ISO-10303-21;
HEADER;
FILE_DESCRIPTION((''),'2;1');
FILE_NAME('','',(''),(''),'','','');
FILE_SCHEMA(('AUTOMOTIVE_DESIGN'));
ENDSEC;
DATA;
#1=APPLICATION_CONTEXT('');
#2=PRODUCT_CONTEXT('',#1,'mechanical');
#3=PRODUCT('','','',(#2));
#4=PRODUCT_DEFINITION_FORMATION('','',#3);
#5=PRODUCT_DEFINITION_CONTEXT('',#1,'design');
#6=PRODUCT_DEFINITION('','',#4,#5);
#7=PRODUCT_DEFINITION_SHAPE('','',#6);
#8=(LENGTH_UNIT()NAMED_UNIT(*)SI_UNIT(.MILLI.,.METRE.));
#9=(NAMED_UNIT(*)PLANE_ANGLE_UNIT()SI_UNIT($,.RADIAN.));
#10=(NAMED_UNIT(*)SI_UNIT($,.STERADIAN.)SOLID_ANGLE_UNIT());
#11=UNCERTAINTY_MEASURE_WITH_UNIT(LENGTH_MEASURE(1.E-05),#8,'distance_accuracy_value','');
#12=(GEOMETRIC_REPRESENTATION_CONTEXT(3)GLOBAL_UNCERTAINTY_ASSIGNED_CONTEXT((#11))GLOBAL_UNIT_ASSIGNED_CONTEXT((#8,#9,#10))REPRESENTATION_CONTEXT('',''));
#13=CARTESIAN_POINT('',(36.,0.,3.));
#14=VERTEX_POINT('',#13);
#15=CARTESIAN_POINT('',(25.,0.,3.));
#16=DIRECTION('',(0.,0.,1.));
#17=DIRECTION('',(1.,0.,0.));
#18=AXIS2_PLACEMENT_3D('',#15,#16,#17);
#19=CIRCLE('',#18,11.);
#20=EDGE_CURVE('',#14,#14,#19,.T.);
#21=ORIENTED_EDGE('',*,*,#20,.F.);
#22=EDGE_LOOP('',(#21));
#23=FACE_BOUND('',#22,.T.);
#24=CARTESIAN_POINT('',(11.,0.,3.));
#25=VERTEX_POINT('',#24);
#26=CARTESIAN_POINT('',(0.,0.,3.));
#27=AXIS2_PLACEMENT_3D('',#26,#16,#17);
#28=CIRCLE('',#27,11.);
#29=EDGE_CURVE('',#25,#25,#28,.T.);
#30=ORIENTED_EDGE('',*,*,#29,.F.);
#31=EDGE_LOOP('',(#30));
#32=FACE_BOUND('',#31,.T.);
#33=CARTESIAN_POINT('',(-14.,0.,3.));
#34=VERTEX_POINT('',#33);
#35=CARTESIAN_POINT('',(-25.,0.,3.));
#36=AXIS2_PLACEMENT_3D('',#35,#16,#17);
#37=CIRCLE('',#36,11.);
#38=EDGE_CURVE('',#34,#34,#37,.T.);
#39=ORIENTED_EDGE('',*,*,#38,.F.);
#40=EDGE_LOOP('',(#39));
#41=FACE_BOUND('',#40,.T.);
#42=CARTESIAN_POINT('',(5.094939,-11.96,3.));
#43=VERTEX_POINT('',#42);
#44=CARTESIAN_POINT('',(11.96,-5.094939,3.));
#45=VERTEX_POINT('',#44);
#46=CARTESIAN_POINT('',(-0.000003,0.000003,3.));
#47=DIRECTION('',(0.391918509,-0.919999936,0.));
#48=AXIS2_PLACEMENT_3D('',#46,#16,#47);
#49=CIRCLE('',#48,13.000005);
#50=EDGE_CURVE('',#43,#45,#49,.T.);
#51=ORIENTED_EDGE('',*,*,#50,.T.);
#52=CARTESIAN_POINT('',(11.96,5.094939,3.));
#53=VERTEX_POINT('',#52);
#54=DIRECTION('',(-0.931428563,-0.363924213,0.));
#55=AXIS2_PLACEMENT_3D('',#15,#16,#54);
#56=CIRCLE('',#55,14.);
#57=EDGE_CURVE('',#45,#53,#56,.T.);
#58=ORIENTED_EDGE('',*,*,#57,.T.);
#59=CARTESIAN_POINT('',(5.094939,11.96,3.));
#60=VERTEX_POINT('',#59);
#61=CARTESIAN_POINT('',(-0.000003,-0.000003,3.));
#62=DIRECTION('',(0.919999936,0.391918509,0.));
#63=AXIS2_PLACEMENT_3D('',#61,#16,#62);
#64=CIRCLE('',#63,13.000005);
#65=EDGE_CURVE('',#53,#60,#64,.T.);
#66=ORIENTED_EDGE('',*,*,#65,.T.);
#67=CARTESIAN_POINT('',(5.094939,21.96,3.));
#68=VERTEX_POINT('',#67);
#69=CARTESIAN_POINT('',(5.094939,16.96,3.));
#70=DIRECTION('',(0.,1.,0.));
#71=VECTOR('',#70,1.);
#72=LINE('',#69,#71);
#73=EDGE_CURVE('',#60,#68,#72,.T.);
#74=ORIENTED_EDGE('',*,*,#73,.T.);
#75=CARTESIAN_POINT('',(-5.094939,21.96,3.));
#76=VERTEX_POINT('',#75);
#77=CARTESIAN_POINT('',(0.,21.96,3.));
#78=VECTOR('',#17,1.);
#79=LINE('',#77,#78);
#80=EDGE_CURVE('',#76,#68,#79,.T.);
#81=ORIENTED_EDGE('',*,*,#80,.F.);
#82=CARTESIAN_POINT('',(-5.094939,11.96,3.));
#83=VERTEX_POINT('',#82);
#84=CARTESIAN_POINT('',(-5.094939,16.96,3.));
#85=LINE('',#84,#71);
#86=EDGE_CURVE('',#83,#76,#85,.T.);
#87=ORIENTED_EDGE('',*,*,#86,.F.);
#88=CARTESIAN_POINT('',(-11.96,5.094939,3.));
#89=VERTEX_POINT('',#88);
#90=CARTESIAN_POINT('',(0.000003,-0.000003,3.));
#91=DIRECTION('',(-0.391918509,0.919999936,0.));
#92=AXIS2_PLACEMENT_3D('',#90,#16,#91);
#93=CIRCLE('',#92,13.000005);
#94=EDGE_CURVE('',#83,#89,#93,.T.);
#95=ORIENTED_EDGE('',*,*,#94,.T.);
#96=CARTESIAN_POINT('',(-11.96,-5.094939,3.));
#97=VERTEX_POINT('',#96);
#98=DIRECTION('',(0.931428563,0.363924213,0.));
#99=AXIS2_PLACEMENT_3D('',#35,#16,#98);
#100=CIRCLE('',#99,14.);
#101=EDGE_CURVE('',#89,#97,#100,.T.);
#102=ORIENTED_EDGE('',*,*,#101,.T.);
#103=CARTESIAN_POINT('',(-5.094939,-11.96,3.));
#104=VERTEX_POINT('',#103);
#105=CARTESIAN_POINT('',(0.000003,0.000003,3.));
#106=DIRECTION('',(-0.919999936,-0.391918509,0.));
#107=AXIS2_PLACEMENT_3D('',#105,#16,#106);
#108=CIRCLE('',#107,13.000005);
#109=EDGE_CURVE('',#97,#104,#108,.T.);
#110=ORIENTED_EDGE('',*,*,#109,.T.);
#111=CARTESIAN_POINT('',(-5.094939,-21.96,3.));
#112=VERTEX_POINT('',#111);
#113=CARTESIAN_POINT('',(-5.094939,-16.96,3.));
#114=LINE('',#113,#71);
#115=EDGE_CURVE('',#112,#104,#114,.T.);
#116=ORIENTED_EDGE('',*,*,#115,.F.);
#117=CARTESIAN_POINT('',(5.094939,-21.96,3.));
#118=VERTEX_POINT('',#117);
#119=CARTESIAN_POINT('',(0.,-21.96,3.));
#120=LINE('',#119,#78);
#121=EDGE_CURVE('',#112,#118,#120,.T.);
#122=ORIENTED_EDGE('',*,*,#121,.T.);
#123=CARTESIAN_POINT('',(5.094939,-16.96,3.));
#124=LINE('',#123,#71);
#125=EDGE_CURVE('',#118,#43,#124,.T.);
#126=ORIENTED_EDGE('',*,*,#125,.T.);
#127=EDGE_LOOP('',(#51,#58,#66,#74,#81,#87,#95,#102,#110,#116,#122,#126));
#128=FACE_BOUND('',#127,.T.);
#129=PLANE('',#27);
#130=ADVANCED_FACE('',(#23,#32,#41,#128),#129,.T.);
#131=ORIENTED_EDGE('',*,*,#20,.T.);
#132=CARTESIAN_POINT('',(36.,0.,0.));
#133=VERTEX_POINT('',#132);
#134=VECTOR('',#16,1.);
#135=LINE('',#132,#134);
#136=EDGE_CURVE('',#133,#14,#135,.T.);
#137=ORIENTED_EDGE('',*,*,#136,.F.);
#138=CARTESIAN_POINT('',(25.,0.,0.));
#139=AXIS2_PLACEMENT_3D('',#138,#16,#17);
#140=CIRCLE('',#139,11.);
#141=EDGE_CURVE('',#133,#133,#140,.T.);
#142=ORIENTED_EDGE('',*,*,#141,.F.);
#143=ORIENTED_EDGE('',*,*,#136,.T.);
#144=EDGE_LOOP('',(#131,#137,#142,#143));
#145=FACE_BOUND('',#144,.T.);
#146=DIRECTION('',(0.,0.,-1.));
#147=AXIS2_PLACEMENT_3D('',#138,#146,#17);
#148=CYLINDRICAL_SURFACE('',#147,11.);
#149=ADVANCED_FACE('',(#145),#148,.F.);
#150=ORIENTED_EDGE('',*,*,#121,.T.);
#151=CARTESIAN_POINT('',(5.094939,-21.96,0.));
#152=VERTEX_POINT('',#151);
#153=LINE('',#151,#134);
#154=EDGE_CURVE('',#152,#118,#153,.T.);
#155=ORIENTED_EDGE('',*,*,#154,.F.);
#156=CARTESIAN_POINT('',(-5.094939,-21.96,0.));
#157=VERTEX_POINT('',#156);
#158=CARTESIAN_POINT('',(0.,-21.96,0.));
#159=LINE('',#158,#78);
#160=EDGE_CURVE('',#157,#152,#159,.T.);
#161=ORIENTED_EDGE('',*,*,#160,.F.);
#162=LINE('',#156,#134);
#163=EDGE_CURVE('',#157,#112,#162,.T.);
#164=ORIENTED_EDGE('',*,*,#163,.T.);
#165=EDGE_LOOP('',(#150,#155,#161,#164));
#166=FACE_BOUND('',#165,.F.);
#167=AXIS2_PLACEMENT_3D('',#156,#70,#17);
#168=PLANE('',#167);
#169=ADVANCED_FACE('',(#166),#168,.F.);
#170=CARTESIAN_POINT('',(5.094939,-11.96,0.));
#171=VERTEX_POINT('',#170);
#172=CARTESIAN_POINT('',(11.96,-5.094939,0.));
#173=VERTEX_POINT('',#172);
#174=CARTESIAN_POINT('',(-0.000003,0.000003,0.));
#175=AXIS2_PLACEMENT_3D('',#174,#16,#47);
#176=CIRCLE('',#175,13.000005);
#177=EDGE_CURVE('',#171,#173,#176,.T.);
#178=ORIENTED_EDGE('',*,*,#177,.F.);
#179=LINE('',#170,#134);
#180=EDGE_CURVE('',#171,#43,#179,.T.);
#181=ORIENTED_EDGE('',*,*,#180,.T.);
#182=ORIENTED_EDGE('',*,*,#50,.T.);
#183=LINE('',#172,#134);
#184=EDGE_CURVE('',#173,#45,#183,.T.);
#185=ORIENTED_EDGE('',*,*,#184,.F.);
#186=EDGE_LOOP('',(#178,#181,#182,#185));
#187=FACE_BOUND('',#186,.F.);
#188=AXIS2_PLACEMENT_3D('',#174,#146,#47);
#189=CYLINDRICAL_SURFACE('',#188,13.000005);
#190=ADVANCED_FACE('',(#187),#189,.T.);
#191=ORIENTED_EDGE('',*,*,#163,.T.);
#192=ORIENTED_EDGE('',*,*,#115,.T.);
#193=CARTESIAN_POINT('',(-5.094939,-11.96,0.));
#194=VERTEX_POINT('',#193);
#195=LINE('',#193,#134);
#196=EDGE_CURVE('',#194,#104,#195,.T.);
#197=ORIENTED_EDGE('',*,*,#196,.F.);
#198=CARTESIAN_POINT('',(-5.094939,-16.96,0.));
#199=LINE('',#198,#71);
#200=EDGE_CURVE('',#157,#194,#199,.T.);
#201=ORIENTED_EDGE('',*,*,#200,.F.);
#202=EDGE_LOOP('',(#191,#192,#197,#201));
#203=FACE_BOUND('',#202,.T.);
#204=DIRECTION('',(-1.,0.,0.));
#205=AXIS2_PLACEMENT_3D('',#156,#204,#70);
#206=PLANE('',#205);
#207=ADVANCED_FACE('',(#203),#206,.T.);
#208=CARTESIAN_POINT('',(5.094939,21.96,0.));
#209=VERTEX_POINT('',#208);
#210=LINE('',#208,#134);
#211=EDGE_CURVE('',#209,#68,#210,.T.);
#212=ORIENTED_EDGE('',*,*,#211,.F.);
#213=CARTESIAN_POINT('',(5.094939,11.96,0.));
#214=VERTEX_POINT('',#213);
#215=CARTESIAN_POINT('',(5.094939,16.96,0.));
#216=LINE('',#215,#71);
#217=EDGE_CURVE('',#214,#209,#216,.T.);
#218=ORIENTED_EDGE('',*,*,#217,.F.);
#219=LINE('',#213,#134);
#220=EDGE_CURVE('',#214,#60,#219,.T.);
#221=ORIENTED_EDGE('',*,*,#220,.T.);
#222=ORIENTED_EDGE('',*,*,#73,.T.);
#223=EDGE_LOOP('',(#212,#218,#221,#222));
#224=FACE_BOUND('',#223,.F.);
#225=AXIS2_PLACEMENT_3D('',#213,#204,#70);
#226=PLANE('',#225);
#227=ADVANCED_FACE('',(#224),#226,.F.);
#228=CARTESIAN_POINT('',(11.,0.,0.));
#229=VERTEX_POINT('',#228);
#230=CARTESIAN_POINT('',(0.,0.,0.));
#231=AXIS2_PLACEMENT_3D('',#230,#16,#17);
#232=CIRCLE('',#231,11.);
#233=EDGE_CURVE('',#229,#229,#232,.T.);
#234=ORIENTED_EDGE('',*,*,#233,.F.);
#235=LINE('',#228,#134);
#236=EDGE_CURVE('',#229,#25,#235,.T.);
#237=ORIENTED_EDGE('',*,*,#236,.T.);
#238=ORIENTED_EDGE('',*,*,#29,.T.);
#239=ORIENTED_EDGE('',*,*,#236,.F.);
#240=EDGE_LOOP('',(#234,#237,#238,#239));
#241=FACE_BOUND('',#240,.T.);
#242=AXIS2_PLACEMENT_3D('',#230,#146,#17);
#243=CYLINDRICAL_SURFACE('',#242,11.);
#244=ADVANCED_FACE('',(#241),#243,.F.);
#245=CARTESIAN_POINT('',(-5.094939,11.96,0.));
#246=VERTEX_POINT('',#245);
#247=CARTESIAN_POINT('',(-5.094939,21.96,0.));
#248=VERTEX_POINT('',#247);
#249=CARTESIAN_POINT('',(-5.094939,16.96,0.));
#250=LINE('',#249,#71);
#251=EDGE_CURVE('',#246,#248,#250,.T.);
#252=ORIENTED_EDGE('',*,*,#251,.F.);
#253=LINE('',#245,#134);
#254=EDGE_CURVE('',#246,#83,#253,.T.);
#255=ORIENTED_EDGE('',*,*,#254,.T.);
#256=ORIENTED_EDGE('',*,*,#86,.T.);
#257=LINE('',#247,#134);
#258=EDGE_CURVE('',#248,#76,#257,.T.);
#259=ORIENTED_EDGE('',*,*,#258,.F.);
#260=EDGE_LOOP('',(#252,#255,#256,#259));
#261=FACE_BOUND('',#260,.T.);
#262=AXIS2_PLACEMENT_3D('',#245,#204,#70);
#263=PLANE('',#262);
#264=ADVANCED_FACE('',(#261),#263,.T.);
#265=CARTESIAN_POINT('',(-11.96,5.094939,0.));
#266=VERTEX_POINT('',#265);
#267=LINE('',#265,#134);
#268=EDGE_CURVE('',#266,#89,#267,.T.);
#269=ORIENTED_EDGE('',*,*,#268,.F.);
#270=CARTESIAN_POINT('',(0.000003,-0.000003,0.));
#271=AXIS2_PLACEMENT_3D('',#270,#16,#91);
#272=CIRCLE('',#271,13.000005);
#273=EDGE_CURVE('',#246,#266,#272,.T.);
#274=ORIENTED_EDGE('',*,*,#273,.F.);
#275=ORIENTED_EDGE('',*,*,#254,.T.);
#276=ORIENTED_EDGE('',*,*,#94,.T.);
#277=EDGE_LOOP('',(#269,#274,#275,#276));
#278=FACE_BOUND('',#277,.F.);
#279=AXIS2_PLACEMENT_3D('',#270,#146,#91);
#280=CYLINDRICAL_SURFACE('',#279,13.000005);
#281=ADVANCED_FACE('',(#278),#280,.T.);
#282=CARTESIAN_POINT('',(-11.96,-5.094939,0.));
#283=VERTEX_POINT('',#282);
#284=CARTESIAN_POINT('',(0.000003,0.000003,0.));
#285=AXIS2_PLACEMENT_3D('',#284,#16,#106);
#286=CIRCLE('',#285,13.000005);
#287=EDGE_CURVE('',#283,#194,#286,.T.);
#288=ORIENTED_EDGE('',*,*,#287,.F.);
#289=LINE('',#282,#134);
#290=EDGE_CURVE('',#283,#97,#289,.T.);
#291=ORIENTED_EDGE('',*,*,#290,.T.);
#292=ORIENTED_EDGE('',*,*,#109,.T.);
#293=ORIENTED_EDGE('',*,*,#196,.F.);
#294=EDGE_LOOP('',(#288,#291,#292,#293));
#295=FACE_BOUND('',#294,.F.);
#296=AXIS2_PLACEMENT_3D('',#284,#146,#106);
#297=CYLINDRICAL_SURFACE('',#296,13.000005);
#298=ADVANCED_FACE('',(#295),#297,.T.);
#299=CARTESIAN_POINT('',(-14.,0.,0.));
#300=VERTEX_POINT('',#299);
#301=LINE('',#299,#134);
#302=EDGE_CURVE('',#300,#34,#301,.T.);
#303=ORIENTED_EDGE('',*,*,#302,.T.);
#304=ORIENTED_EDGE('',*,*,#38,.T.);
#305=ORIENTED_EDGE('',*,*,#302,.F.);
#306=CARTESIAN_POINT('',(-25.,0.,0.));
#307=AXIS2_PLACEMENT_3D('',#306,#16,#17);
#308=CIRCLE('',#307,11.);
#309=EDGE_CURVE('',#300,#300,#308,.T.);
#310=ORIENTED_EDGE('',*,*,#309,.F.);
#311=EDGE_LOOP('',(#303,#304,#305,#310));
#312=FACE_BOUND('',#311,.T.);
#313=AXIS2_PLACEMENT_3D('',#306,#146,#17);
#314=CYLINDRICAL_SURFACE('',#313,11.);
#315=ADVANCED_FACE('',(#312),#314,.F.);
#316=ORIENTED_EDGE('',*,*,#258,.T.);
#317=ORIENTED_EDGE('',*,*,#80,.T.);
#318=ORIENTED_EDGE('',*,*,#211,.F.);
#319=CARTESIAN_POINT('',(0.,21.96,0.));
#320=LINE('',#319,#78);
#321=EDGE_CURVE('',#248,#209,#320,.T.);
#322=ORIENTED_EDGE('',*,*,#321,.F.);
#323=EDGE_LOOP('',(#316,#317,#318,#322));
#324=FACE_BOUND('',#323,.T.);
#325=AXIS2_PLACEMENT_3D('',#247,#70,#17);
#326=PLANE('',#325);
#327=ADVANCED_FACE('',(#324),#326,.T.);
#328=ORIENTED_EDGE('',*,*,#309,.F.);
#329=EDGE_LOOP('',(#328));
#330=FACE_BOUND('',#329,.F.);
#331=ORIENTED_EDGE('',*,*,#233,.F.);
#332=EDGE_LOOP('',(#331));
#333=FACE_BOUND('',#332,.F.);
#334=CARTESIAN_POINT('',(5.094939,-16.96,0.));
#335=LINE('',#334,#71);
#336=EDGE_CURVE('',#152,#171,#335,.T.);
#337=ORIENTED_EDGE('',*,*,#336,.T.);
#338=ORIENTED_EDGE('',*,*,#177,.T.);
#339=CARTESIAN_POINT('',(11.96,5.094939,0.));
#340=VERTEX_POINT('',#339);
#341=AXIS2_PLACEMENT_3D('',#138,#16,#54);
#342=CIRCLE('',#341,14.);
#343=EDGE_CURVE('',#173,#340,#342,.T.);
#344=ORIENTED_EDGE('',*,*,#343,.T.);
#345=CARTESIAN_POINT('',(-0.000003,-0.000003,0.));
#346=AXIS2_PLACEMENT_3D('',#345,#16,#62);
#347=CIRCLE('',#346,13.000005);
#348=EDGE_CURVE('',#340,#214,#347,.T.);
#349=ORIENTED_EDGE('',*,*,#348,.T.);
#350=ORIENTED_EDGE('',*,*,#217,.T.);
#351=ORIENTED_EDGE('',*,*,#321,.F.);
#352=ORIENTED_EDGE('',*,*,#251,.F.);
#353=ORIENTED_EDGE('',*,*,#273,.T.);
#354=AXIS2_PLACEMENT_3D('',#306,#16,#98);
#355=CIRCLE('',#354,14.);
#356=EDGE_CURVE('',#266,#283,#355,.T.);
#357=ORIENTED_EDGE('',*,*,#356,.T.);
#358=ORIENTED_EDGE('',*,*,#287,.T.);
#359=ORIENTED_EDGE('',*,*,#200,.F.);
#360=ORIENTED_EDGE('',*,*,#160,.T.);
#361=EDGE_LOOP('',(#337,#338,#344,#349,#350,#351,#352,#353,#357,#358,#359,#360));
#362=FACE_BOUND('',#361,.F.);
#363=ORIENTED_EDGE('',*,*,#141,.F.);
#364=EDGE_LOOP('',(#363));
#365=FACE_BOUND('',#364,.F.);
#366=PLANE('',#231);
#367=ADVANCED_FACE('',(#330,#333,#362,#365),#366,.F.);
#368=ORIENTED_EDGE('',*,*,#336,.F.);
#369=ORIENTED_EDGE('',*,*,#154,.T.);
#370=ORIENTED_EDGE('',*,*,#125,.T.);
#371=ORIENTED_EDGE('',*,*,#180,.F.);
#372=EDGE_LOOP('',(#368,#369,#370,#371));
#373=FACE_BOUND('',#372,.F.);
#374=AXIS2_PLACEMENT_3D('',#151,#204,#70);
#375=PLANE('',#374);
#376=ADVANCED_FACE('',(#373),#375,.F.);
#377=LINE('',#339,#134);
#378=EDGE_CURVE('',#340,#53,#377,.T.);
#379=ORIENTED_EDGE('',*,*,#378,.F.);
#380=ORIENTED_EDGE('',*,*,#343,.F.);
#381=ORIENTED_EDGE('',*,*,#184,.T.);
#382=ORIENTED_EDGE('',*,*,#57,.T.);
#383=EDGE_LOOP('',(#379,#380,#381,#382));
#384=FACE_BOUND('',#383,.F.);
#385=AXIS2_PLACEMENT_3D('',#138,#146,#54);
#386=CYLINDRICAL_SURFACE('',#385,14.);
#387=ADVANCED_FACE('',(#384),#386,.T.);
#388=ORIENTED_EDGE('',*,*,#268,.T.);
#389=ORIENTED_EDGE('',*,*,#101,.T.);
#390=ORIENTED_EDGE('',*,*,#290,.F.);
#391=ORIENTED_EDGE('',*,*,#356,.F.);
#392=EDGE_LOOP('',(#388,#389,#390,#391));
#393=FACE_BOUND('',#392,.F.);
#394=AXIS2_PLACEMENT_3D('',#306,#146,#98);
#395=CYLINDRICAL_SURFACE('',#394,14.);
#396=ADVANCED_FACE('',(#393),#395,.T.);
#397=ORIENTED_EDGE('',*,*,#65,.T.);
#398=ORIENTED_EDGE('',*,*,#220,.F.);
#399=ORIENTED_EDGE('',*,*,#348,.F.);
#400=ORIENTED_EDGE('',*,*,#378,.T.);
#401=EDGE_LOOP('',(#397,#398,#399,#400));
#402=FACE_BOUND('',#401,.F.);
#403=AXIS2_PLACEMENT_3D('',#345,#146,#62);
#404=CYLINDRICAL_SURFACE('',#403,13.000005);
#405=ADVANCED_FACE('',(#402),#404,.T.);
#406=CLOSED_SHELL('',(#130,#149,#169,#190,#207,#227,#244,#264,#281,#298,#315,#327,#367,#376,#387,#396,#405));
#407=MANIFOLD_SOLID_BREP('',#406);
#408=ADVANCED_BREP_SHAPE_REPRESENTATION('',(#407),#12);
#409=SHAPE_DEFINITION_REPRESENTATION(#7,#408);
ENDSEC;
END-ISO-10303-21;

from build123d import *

# Parameters (mm, degrees)
F0_R     = 11
F0_W     = 10.189878
F0_H     = 10
F1_DEPTH = 3


with BuildPart() as f1:
    # F0 (on Top) → F1 (new body)
    with BuildSketch(Plane.XY):
        with BuildLine():
            Line((5.094939, 11.96), (-5.094939, 11.96))
            ThreePointArc((-5.094939, 11.96), (-9.192388, 9.192388), (-11.96, 5.094939))
            ThreePointArc((-11.96, 5.094939), (-39, 0), (-11.96, -5.094939))
            ThreePointArc((-11.96, -5.094939), (-9.192388, -9.192388), (-5.094939, -11.96))
            Line((-5.094939, -11.96), (5.094939, -11.96))
            ThreePointArc((5.094939, -11.96), (9.192388, -9.192388), (11.96, -5.094939))
            ThreePointArc((11.96, -5.094939), (39, 0), (11.96, 5.094939))
            ThreePointArc((11.96, 5.094939), (9.192388, 9.192388), (5.094939, 11.96))
        make_face()
        with Locations((-25, 0)):
            Circle(F0_R, mode=Mode.SUBTRACT)
        Circle(F0_R, mode=Mode.SUBTRACT)
        with Locations((25, 0)):
            Circle(F0_R, mode=Mode.SUBTRACT)
        with Locations((0, 16.96)):
            Rectangle(F0_W, F0_H)
        with Locations((0, -16.96)):
            Rectangle(F0_W, F0_H)
    extrude(amount=F1_DEPTH)


solid = f1.part
